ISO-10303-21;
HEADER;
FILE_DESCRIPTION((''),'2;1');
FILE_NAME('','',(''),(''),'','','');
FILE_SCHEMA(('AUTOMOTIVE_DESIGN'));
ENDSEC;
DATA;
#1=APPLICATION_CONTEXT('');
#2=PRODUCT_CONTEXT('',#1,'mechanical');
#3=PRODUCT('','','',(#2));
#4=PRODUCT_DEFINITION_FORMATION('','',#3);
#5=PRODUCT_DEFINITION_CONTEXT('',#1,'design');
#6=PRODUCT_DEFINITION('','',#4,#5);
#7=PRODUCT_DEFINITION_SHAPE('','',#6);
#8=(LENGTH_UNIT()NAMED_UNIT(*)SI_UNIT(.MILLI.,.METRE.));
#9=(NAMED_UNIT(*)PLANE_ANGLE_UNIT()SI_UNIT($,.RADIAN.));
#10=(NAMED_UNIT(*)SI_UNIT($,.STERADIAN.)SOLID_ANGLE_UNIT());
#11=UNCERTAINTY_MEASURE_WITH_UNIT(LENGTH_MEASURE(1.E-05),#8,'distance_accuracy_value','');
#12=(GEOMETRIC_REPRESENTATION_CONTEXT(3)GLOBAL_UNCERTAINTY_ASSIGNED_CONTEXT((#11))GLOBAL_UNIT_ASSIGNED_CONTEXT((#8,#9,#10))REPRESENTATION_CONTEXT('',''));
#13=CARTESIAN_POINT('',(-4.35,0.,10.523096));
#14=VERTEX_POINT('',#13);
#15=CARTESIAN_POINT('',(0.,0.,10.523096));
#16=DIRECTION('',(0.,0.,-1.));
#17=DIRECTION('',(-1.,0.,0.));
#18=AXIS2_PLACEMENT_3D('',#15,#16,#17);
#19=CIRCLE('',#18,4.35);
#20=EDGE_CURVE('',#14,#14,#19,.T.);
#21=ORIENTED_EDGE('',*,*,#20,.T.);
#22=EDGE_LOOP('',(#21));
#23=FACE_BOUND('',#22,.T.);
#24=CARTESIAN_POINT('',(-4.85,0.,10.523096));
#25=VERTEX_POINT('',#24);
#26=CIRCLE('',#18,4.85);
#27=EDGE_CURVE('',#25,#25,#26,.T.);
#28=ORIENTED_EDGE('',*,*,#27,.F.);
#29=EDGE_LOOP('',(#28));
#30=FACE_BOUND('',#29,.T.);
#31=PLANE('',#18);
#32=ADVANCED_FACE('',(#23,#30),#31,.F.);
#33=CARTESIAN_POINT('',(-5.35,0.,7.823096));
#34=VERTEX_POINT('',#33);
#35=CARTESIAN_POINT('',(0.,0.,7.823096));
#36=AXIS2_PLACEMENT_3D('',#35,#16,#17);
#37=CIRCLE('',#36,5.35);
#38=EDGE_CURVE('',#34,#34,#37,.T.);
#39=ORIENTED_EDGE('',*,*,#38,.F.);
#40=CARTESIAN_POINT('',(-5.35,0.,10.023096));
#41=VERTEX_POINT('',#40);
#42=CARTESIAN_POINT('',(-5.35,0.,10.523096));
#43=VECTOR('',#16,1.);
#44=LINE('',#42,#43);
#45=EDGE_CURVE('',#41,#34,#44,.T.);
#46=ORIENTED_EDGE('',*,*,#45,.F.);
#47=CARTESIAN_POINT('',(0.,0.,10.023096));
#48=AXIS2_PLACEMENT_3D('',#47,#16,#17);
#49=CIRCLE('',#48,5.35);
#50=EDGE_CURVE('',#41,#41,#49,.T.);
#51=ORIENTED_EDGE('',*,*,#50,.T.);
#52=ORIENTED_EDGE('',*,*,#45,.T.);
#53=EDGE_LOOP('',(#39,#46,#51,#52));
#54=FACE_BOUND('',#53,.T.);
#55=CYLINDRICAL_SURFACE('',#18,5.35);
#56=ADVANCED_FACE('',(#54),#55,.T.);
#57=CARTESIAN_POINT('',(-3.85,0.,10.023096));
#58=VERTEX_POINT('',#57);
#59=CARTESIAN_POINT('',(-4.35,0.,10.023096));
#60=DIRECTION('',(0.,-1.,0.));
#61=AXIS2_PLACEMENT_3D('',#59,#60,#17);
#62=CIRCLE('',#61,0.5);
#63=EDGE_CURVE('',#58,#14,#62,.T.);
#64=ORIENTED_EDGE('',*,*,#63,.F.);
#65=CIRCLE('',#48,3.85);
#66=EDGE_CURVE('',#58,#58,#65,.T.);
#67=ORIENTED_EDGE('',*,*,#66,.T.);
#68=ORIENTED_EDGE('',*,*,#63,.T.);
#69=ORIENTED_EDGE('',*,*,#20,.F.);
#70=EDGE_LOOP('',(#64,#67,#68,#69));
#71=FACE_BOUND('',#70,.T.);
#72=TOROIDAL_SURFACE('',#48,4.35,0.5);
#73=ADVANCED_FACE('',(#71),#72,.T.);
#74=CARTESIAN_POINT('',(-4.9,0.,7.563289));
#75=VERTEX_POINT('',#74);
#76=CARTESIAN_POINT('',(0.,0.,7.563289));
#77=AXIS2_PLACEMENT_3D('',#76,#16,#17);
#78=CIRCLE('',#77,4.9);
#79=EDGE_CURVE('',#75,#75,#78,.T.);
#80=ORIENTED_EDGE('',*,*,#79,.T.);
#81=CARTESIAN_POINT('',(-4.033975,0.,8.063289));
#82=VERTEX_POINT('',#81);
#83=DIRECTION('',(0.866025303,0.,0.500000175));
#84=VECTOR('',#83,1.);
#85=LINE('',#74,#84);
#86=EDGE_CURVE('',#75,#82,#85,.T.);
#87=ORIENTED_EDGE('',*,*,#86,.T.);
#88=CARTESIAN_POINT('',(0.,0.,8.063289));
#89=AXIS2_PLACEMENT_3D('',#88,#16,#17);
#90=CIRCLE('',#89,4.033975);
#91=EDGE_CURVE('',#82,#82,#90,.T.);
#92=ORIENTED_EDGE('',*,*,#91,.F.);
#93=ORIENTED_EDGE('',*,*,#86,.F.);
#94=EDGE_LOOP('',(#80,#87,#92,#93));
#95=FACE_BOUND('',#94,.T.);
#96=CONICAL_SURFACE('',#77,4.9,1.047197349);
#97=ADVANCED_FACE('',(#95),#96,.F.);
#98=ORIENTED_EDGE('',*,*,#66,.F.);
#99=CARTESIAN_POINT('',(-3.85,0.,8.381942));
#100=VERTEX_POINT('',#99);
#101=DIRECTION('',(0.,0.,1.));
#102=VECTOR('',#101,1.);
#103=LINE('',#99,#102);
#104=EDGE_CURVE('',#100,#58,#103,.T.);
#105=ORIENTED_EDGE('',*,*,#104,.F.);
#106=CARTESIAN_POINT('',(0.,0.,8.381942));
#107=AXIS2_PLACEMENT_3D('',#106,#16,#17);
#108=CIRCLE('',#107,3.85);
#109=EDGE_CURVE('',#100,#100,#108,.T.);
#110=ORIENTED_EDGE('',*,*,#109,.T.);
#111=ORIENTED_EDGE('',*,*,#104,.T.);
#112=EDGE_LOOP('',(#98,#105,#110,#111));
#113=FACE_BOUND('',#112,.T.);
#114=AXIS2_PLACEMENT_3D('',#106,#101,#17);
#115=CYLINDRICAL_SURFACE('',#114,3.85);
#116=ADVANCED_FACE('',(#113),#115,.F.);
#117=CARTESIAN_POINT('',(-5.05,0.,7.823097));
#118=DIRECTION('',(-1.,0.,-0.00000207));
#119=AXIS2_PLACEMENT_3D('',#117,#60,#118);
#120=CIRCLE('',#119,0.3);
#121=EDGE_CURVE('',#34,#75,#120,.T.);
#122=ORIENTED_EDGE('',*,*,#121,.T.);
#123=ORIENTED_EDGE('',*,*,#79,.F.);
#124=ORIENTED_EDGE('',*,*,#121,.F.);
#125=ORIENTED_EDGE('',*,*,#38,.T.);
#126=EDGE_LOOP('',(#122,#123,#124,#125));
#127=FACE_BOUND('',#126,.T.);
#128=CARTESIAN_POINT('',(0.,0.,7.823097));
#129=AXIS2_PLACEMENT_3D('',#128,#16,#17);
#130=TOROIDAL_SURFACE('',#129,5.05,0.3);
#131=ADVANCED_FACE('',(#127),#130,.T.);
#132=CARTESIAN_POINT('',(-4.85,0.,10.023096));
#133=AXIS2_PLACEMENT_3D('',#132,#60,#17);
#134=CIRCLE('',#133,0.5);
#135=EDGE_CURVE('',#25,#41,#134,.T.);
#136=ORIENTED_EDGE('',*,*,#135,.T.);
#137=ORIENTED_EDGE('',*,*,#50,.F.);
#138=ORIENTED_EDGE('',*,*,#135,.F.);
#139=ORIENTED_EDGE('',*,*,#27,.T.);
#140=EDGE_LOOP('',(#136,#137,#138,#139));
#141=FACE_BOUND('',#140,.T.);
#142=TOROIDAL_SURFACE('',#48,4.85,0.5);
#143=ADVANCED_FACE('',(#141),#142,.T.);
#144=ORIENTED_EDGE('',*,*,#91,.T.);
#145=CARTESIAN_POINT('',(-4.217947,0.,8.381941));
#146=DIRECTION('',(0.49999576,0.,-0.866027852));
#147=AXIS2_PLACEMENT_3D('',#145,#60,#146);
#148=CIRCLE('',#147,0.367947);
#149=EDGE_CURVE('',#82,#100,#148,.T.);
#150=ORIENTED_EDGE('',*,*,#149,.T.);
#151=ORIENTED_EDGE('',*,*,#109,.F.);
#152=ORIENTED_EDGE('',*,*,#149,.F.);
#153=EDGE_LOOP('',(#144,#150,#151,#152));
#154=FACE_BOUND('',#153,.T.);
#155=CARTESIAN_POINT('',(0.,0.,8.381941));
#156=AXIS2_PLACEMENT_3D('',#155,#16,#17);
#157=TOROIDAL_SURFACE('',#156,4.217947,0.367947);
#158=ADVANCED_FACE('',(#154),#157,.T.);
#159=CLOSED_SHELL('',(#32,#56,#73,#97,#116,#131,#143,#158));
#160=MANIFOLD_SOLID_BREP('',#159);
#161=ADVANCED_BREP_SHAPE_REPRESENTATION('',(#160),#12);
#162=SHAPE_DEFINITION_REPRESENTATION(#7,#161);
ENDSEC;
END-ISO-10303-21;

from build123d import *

# Parameters (mm, degrees)
F2_R = 0.5


with BuildPart() as f1:
    # F0 (on Front) → F1 (revolve)
    with BuildSketch(Plane.XZ):
        with BuildLine():
            Line((-4.9, 7.563289), (-4.033975, 8.063289))
            ThreePointArc((-4.033975, 8.063289), (-3.899296, 8.197967), (-3.85, 8.381942))
            Line((-3.85, 8.381942), (-3.85, 10.523096))
            Line((-3.85, 10.523096), (-5.35, 10.523096))
            Line((-5.35, 10.523096), (-5.35, 7.823096))
            ThreePointArc((-5.35, 7.823096), (-5.2, 7.563289), (-4.9, 7.563289))
        make_face()
    revolve(axis=Axis((0, 0, -0.587365), (0, 0, -1)))

    # F2
    f2_edges = [f1.edges().sort_by_distance(p)[0] for p in [
        (3.85, 0, 10.523096),
        (5.35, 0, 10.523096),
    ]]
    fillet(f2_edges, radius=F2_R)


solid = f1.part
